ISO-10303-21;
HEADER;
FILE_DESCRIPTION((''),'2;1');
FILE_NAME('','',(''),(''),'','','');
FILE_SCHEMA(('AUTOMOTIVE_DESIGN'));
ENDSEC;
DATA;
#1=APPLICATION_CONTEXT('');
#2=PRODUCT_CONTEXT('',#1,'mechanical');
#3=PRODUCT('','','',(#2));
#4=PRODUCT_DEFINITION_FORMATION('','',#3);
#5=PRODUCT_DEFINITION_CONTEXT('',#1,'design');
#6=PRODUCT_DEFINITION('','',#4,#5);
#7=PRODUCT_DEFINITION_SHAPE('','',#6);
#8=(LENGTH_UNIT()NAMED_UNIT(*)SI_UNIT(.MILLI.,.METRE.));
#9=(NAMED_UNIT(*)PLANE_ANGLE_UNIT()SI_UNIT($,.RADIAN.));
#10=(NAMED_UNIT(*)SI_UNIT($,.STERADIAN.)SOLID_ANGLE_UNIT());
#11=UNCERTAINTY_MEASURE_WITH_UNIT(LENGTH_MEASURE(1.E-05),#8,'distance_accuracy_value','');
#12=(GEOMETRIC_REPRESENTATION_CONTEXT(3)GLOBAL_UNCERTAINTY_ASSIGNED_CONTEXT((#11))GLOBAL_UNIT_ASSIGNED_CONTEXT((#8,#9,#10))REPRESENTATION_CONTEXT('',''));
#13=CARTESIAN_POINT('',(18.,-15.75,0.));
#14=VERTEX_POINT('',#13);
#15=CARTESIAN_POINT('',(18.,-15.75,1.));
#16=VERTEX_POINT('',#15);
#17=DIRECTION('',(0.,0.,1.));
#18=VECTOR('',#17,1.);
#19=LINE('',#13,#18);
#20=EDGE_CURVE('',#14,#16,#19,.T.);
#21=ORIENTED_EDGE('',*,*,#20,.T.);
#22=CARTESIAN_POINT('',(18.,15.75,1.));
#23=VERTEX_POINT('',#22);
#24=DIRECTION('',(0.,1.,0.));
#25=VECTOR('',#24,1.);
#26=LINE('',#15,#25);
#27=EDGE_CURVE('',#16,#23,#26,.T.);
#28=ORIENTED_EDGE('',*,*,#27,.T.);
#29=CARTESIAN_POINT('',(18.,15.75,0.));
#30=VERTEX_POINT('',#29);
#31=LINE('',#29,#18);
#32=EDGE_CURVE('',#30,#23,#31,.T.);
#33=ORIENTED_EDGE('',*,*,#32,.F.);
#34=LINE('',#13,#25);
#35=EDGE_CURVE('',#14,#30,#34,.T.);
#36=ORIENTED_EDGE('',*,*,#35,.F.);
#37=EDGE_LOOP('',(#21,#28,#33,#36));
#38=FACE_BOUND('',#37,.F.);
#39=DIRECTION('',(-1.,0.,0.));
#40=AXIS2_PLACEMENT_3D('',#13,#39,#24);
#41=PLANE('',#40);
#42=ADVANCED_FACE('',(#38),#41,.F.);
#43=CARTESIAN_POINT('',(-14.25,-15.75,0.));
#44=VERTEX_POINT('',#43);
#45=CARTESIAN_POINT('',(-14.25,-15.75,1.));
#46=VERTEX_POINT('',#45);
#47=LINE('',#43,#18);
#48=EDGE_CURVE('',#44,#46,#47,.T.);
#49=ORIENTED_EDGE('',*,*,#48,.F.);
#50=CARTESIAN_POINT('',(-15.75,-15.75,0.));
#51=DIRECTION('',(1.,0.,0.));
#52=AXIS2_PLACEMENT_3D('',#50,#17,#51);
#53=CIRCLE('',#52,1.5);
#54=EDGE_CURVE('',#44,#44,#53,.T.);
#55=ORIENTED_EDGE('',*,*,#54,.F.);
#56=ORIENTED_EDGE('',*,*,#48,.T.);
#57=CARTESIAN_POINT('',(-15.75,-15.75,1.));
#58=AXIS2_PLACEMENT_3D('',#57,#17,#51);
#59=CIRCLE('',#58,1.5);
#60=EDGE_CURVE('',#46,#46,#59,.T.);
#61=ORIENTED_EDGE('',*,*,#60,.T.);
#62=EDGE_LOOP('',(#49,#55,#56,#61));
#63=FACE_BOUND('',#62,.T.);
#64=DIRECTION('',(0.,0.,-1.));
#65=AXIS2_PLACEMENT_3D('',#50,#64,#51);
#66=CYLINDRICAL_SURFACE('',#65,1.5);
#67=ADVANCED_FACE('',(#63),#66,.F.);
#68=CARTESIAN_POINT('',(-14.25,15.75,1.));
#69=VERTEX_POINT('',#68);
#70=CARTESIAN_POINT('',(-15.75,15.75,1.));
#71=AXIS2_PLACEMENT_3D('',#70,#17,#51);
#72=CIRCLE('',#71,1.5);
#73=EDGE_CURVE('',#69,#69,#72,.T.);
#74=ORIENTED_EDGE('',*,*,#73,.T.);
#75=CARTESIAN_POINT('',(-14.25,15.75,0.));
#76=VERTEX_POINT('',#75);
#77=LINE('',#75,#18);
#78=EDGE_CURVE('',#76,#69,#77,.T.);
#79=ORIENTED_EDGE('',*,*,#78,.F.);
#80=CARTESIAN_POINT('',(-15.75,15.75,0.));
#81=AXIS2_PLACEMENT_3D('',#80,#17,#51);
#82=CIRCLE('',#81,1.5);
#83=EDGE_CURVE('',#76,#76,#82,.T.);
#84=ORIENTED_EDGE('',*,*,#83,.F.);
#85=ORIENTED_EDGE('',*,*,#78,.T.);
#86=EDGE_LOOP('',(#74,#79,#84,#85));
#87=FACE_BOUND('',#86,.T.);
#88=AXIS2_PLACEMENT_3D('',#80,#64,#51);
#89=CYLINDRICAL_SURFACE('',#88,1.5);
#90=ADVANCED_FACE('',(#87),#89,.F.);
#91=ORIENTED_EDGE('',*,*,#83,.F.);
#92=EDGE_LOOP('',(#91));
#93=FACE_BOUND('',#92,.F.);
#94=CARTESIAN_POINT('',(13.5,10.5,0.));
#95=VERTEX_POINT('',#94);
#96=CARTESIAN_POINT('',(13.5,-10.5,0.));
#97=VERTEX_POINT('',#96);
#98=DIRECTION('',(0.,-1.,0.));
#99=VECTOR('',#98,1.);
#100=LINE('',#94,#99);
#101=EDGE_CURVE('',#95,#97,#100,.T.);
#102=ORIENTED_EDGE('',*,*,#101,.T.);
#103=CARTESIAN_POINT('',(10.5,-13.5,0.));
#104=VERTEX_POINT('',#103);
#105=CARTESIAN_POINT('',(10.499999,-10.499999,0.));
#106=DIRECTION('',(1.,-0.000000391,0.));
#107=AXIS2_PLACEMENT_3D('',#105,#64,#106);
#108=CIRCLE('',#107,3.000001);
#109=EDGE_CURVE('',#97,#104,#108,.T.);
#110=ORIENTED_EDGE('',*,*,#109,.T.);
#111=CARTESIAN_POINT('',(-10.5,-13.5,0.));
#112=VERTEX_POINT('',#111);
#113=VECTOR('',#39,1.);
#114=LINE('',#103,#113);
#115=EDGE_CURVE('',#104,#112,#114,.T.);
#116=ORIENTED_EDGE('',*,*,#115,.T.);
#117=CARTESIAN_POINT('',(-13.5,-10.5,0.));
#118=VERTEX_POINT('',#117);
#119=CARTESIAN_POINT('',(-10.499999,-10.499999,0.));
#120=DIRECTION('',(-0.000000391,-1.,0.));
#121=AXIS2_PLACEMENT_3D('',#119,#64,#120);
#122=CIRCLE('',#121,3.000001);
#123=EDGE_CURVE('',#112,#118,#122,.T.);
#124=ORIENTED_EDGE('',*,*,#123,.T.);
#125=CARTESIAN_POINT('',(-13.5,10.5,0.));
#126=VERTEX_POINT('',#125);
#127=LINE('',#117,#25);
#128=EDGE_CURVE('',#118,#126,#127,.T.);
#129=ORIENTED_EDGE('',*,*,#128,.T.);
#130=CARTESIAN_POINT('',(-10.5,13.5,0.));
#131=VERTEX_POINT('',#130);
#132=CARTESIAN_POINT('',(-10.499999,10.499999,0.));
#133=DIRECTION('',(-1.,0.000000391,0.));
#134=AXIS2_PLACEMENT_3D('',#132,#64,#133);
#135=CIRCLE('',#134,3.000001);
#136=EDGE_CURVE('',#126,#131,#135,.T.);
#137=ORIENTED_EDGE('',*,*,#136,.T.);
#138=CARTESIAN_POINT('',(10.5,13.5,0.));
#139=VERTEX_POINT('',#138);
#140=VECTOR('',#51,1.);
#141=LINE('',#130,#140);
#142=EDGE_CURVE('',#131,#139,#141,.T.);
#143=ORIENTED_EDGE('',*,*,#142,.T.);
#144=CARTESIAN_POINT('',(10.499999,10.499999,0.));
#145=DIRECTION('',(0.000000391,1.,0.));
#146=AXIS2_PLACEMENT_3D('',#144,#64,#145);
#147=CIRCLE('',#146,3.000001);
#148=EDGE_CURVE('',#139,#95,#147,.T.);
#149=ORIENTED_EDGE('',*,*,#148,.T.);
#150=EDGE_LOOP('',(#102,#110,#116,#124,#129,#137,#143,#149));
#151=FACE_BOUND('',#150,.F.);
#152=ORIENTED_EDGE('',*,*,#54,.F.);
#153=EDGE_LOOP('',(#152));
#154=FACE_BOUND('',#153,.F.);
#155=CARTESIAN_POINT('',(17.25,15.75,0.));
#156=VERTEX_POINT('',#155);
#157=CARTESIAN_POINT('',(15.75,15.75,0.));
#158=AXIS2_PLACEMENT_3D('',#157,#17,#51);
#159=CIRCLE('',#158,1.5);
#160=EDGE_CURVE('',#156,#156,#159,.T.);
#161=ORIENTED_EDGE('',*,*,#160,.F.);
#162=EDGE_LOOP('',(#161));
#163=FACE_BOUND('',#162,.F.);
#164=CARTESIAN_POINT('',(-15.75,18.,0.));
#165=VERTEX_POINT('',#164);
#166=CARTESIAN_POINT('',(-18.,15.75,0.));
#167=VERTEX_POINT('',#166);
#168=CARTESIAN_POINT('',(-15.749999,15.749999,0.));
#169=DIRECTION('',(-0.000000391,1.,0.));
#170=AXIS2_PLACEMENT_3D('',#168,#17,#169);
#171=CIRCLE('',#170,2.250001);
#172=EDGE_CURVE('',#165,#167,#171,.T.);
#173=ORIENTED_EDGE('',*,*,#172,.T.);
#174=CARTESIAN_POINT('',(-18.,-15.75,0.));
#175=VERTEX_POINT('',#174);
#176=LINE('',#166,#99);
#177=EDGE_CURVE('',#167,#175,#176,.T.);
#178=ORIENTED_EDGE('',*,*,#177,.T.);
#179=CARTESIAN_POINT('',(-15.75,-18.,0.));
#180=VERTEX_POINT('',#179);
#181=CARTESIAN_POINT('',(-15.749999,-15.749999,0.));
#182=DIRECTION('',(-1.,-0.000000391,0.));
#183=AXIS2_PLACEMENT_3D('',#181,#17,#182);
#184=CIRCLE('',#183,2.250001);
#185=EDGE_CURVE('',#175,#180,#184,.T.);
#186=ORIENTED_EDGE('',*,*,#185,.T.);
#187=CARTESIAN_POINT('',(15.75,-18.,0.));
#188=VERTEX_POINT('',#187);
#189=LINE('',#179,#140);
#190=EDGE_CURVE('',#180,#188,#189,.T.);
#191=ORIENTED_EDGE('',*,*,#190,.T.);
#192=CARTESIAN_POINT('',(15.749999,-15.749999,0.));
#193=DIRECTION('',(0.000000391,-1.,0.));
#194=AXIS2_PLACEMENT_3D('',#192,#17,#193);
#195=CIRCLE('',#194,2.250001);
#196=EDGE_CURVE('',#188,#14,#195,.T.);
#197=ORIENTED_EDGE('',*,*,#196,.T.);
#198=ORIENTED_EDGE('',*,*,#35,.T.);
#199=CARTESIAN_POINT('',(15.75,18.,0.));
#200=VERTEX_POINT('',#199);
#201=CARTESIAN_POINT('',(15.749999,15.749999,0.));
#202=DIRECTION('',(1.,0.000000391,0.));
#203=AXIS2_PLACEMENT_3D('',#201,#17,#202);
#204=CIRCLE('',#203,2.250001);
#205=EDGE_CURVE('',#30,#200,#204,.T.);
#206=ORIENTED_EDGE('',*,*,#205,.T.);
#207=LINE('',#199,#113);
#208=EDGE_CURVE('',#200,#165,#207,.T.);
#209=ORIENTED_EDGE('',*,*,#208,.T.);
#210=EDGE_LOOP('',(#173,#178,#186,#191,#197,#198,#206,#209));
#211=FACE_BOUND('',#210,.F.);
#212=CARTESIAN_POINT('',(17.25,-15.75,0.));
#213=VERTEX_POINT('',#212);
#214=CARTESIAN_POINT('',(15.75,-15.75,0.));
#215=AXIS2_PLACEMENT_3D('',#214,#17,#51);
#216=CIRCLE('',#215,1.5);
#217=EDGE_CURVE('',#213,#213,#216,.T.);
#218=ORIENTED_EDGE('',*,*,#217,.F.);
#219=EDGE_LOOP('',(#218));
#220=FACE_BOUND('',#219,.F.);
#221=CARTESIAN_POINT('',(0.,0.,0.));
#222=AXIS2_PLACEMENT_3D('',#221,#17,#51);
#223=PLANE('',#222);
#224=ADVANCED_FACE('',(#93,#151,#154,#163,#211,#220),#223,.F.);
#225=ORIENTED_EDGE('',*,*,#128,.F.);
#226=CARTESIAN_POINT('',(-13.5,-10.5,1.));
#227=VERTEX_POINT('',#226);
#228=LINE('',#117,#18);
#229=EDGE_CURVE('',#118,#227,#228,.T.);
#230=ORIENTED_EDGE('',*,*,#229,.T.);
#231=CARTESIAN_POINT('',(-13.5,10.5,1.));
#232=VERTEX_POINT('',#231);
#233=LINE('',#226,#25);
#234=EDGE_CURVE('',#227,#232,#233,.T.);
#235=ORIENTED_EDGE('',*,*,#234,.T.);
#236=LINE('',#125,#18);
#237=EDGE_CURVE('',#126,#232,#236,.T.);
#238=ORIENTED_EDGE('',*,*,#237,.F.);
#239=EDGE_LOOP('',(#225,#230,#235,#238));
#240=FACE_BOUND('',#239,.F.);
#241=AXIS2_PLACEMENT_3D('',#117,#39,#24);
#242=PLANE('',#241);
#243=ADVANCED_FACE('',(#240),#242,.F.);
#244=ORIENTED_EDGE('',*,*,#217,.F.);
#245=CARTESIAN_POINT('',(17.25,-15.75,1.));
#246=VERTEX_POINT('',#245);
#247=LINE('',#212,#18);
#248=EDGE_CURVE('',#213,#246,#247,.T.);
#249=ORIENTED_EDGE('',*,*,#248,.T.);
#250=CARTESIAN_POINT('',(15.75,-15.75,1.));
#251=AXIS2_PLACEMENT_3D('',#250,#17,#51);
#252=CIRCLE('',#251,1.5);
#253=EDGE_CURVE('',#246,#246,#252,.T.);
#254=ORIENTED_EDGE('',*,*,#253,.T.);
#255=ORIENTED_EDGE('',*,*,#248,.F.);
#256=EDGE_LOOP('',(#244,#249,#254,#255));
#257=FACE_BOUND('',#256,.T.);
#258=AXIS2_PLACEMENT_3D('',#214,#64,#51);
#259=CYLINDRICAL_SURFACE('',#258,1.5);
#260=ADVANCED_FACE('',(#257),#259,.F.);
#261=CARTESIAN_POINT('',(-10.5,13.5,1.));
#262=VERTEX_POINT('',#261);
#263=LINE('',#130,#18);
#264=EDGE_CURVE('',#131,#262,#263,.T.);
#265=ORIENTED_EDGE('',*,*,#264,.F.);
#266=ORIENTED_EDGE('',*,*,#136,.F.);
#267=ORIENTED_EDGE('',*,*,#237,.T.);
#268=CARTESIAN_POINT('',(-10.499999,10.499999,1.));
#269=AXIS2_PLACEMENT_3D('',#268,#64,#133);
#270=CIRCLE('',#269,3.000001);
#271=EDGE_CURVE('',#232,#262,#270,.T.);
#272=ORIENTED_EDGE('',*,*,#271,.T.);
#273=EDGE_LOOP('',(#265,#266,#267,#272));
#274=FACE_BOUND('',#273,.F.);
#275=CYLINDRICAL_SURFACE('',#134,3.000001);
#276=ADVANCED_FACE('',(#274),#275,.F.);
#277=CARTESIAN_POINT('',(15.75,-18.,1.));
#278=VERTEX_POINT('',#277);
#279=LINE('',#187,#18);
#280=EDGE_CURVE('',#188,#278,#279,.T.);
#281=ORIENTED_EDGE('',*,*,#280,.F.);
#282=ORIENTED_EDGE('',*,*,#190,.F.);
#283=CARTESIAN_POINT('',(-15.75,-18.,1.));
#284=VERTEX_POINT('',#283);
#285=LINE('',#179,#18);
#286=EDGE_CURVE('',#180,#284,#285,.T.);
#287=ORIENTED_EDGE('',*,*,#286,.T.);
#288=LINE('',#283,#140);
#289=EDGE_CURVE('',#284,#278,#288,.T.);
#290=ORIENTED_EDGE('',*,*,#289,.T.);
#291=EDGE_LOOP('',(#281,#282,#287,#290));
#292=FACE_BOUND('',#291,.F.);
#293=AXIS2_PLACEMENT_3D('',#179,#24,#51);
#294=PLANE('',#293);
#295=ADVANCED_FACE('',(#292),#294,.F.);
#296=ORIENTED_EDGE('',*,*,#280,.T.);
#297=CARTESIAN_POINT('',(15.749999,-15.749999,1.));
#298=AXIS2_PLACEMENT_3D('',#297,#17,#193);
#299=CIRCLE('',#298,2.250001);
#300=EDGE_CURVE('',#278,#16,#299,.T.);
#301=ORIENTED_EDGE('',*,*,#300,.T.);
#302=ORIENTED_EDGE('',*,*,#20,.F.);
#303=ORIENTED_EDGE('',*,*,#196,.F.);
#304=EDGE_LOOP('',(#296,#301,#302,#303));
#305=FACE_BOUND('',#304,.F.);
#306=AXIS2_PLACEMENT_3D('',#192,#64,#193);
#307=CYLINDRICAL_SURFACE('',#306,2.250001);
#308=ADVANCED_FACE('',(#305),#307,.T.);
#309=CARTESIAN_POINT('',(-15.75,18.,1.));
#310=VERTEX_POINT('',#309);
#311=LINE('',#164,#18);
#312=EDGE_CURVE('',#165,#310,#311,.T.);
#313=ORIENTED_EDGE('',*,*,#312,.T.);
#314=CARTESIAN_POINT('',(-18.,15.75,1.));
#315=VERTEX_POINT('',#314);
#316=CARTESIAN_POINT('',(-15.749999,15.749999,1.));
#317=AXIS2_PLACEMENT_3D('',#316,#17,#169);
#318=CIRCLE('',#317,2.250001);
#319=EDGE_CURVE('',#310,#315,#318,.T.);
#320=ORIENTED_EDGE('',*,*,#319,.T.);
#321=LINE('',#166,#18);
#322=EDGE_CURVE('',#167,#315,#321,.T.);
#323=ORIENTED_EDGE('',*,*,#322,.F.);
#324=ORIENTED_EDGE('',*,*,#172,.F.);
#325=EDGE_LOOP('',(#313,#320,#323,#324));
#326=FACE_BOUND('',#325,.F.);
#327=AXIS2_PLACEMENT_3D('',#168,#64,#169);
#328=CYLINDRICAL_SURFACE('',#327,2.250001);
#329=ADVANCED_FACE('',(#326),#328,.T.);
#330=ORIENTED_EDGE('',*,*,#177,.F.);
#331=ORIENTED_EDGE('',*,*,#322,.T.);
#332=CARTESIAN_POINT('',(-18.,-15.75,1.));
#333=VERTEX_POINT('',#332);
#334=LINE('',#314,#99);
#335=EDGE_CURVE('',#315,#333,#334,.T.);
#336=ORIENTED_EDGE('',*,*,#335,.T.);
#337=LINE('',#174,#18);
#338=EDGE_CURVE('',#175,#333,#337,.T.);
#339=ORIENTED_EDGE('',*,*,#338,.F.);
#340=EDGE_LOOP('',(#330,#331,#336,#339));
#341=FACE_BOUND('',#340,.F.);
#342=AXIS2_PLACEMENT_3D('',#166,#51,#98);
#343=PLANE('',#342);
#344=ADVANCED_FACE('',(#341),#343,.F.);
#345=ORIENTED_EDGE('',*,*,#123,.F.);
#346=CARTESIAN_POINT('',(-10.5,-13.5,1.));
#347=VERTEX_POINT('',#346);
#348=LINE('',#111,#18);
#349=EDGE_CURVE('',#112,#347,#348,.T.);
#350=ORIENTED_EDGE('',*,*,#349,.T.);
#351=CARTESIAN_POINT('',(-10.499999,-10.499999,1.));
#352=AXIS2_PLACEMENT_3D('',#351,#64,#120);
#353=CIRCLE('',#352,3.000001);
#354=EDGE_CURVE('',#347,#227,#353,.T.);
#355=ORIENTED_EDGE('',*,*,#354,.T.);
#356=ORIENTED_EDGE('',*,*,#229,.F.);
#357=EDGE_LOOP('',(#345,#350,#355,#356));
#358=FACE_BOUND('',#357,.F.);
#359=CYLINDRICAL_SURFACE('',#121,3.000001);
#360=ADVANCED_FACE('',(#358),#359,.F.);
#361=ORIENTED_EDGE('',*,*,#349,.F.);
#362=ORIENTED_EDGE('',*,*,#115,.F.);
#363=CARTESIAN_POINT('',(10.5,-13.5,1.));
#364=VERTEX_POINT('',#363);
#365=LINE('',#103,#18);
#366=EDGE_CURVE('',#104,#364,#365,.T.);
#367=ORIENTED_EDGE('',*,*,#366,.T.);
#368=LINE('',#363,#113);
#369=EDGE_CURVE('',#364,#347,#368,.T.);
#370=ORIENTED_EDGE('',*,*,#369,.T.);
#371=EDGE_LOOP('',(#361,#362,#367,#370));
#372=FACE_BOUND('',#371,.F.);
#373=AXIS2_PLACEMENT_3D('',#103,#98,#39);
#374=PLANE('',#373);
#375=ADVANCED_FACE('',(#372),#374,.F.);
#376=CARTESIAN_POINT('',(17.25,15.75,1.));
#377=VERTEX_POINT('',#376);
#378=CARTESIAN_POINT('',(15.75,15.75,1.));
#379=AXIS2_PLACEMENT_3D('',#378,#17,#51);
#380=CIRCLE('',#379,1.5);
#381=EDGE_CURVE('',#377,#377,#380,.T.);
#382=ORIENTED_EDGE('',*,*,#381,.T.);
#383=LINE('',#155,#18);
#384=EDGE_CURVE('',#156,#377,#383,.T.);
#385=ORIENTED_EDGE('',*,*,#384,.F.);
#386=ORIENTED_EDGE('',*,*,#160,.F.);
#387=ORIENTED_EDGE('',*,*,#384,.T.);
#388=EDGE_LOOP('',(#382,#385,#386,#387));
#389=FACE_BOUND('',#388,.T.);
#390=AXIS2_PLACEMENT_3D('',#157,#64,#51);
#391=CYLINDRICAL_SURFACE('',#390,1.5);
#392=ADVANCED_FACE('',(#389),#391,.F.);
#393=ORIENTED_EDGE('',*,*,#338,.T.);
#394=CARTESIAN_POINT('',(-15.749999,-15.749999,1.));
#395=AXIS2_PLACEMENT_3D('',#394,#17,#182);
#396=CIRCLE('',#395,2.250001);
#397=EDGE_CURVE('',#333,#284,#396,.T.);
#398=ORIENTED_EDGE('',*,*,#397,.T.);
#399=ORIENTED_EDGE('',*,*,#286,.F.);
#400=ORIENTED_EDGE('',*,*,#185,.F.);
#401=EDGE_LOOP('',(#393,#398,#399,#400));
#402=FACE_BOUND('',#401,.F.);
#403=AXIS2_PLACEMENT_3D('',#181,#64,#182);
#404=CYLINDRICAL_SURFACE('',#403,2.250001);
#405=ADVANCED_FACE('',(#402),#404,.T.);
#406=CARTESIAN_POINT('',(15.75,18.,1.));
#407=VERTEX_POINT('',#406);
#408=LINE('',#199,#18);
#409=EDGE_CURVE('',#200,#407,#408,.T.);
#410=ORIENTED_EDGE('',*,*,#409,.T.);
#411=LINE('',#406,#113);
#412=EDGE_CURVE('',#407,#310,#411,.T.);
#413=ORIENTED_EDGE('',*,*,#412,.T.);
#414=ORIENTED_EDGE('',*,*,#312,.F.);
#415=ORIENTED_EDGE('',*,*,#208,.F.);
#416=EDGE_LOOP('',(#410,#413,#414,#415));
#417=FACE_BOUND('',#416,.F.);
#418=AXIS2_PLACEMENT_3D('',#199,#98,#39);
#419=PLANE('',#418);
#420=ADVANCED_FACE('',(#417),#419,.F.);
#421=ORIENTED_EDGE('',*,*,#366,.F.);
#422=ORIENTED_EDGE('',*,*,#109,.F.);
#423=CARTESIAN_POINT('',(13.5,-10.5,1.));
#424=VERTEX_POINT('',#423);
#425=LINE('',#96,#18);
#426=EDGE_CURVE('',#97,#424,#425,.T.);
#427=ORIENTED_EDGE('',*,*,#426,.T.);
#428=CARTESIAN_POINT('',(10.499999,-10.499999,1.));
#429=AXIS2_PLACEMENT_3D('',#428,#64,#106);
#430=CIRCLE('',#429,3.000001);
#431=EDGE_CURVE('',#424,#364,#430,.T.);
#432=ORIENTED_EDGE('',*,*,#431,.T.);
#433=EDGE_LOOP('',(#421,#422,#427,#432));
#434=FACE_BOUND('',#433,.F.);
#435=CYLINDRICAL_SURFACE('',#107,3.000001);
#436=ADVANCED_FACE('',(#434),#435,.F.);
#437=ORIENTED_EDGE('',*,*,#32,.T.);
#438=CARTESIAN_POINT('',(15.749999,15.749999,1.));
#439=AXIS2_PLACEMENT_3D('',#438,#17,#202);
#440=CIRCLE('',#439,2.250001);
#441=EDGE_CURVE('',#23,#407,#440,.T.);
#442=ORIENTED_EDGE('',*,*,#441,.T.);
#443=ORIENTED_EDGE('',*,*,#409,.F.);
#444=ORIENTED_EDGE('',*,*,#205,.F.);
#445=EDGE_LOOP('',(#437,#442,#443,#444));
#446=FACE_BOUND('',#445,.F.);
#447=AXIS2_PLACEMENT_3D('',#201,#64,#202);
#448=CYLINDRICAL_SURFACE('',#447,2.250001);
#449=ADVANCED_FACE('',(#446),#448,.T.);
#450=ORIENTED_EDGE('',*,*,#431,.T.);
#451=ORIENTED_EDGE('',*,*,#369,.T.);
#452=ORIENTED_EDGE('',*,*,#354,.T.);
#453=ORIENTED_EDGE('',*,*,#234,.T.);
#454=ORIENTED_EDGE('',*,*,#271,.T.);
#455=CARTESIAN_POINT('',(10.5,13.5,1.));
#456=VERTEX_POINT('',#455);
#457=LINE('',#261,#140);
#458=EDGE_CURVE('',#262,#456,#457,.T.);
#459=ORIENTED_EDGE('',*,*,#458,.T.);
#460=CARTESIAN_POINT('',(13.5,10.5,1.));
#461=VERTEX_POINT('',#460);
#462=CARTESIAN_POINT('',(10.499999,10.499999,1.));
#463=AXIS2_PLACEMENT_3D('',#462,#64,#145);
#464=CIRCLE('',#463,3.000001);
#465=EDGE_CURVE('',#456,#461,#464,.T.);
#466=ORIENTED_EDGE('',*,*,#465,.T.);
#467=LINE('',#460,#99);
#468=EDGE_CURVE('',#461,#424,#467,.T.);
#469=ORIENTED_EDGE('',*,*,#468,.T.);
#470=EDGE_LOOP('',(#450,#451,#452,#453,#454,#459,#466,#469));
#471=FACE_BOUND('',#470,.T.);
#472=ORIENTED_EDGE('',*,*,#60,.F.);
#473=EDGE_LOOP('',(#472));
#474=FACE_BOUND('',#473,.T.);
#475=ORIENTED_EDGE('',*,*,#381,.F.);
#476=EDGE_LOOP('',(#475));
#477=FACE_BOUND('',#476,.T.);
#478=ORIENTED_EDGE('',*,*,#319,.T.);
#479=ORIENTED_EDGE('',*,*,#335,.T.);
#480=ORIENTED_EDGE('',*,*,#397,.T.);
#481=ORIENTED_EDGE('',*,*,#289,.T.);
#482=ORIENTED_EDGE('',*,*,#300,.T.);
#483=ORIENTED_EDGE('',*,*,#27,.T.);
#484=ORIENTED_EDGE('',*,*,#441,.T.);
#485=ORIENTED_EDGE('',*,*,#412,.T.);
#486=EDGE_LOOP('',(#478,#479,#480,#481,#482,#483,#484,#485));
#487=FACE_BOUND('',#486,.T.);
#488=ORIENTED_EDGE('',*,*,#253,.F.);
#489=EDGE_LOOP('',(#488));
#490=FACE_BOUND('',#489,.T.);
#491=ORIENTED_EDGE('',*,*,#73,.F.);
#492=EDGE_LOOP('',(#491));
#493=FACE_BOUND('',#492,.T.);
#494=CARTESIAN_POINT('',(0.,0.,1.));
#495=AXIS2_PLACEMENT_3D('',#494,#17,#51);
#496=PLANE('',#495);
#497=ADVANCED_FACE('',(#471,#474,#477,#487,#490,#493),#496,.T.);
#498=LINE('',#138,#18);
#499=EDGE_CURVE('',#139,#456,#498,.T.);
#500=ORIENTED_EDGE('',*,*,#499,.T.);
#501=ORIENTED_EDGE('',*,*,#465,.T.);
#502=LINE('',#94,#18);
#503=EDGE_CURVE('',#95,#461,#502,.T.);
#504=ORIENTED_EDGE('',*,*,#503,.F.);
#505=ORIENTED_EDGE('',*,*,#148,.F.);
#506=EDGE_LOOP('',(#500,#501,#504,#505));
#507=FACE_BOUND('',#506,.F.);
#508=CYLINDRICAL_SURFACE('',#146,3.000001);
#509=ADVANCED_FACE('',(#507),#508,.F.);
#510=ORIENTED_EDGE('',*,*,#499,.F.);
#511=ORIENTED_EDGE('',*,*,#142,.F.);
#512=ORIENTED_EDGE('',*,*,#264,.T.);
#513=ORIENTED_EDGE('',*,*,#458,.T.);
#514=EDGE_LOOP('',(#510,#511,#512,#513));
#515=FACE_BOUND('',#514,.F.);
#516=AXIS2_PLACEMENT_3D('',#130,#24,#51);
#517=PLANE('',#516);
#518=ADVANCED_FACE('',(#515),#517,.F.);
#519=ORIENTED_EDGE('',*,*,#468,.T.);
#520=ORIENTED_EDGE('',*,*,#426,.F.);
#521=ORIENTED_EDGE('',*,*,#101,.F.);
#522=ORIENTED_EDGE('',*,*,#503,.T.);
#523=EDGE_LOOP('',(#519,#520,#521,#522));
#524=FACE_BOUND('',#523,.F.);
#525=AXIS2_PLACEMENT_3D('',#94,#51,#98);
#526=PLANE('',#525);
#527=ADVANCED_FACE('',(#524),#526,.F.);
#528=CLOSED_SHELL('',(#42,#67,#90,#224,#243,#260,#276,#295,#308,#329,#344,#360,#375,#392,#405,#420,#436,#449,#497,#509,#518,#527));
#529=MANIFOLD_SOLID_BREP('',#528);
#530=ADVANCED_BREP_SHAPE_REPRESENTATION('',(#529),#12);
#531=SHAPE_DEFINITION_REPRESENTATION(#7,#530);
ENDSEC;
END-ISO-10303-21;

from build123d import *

# Parameters (mm, degrees)
F0_R     = 1.5
F3_DEPTH = 1


with BuildPart() as f3:
    # F0 (on Top) → F3 (new body)
    with BuildSketch(Plane.XY):
        with BuildLine():
            Line((15.75, 18), (-15.75, 18))
            ThreePointArc((-15.75, 18), (-17.34099, 17.34099), (-18, 15.75))
            Line((-18, 15.75), (-18, -15.75))
            ThreePointArc((-18, -15.75), (-17.34099, -17.34099), (-15.75, -18))
            Line((-15.75, -18), (15.75, -18))
            ThreePointArc((15.75, -18), (17.34099, -17.34099), (18, -15.75))
            Line((18, -15.75), (18, 15.75))
            ThreePointArc((18, 15.75), (17.34099, 17.34099), (15.75, 18))
        make_face()
        with Locations((-15.75, -15.75)):
            Circle(F0_R, mode=Mode.SUBTRACT)
        with Locations((15.75, -15.75)):
            Circle(F0_R, mode=Mode.SUBTRACT)
        with Locations((-15.75, 15.75)):
            Circle(F0_R, mode=Mode.SUBTRACT)
        with BuildLine():
            ThreePointArc((-10.5, -13.5), (-12.62132, -12.62132), (-13.5, -10.5))
            Line((-13.5, -10.5), (-13.5, 10.5))
            ThreePointArc((-13.5, 10.5), (-12.62132, 12.62132), (-10.5, 13.5))
            Line((-10.5, 13.5), (10.5, 13.5))
            ThreePointArc((10.5, 13.5), (12.62132, 12.62132), (13.5, 10.5))
            Line((13.5, 10.5), (13.5, -10.5))
            ThreePointArc((13.5, -10.5), (12.62132, -12.62132), (10.5, -13.5))
            Line((10.5, -13.5), (-10.5, -13.5))
        make_face(mode=Mode.SUBTRACT)
        with Locations((15.75, 15.75)):
            Circle(F0_R, mode=Mode.SUBTRACT)
    extrude(amount=F3_DEPTH)


solid = f3.part
